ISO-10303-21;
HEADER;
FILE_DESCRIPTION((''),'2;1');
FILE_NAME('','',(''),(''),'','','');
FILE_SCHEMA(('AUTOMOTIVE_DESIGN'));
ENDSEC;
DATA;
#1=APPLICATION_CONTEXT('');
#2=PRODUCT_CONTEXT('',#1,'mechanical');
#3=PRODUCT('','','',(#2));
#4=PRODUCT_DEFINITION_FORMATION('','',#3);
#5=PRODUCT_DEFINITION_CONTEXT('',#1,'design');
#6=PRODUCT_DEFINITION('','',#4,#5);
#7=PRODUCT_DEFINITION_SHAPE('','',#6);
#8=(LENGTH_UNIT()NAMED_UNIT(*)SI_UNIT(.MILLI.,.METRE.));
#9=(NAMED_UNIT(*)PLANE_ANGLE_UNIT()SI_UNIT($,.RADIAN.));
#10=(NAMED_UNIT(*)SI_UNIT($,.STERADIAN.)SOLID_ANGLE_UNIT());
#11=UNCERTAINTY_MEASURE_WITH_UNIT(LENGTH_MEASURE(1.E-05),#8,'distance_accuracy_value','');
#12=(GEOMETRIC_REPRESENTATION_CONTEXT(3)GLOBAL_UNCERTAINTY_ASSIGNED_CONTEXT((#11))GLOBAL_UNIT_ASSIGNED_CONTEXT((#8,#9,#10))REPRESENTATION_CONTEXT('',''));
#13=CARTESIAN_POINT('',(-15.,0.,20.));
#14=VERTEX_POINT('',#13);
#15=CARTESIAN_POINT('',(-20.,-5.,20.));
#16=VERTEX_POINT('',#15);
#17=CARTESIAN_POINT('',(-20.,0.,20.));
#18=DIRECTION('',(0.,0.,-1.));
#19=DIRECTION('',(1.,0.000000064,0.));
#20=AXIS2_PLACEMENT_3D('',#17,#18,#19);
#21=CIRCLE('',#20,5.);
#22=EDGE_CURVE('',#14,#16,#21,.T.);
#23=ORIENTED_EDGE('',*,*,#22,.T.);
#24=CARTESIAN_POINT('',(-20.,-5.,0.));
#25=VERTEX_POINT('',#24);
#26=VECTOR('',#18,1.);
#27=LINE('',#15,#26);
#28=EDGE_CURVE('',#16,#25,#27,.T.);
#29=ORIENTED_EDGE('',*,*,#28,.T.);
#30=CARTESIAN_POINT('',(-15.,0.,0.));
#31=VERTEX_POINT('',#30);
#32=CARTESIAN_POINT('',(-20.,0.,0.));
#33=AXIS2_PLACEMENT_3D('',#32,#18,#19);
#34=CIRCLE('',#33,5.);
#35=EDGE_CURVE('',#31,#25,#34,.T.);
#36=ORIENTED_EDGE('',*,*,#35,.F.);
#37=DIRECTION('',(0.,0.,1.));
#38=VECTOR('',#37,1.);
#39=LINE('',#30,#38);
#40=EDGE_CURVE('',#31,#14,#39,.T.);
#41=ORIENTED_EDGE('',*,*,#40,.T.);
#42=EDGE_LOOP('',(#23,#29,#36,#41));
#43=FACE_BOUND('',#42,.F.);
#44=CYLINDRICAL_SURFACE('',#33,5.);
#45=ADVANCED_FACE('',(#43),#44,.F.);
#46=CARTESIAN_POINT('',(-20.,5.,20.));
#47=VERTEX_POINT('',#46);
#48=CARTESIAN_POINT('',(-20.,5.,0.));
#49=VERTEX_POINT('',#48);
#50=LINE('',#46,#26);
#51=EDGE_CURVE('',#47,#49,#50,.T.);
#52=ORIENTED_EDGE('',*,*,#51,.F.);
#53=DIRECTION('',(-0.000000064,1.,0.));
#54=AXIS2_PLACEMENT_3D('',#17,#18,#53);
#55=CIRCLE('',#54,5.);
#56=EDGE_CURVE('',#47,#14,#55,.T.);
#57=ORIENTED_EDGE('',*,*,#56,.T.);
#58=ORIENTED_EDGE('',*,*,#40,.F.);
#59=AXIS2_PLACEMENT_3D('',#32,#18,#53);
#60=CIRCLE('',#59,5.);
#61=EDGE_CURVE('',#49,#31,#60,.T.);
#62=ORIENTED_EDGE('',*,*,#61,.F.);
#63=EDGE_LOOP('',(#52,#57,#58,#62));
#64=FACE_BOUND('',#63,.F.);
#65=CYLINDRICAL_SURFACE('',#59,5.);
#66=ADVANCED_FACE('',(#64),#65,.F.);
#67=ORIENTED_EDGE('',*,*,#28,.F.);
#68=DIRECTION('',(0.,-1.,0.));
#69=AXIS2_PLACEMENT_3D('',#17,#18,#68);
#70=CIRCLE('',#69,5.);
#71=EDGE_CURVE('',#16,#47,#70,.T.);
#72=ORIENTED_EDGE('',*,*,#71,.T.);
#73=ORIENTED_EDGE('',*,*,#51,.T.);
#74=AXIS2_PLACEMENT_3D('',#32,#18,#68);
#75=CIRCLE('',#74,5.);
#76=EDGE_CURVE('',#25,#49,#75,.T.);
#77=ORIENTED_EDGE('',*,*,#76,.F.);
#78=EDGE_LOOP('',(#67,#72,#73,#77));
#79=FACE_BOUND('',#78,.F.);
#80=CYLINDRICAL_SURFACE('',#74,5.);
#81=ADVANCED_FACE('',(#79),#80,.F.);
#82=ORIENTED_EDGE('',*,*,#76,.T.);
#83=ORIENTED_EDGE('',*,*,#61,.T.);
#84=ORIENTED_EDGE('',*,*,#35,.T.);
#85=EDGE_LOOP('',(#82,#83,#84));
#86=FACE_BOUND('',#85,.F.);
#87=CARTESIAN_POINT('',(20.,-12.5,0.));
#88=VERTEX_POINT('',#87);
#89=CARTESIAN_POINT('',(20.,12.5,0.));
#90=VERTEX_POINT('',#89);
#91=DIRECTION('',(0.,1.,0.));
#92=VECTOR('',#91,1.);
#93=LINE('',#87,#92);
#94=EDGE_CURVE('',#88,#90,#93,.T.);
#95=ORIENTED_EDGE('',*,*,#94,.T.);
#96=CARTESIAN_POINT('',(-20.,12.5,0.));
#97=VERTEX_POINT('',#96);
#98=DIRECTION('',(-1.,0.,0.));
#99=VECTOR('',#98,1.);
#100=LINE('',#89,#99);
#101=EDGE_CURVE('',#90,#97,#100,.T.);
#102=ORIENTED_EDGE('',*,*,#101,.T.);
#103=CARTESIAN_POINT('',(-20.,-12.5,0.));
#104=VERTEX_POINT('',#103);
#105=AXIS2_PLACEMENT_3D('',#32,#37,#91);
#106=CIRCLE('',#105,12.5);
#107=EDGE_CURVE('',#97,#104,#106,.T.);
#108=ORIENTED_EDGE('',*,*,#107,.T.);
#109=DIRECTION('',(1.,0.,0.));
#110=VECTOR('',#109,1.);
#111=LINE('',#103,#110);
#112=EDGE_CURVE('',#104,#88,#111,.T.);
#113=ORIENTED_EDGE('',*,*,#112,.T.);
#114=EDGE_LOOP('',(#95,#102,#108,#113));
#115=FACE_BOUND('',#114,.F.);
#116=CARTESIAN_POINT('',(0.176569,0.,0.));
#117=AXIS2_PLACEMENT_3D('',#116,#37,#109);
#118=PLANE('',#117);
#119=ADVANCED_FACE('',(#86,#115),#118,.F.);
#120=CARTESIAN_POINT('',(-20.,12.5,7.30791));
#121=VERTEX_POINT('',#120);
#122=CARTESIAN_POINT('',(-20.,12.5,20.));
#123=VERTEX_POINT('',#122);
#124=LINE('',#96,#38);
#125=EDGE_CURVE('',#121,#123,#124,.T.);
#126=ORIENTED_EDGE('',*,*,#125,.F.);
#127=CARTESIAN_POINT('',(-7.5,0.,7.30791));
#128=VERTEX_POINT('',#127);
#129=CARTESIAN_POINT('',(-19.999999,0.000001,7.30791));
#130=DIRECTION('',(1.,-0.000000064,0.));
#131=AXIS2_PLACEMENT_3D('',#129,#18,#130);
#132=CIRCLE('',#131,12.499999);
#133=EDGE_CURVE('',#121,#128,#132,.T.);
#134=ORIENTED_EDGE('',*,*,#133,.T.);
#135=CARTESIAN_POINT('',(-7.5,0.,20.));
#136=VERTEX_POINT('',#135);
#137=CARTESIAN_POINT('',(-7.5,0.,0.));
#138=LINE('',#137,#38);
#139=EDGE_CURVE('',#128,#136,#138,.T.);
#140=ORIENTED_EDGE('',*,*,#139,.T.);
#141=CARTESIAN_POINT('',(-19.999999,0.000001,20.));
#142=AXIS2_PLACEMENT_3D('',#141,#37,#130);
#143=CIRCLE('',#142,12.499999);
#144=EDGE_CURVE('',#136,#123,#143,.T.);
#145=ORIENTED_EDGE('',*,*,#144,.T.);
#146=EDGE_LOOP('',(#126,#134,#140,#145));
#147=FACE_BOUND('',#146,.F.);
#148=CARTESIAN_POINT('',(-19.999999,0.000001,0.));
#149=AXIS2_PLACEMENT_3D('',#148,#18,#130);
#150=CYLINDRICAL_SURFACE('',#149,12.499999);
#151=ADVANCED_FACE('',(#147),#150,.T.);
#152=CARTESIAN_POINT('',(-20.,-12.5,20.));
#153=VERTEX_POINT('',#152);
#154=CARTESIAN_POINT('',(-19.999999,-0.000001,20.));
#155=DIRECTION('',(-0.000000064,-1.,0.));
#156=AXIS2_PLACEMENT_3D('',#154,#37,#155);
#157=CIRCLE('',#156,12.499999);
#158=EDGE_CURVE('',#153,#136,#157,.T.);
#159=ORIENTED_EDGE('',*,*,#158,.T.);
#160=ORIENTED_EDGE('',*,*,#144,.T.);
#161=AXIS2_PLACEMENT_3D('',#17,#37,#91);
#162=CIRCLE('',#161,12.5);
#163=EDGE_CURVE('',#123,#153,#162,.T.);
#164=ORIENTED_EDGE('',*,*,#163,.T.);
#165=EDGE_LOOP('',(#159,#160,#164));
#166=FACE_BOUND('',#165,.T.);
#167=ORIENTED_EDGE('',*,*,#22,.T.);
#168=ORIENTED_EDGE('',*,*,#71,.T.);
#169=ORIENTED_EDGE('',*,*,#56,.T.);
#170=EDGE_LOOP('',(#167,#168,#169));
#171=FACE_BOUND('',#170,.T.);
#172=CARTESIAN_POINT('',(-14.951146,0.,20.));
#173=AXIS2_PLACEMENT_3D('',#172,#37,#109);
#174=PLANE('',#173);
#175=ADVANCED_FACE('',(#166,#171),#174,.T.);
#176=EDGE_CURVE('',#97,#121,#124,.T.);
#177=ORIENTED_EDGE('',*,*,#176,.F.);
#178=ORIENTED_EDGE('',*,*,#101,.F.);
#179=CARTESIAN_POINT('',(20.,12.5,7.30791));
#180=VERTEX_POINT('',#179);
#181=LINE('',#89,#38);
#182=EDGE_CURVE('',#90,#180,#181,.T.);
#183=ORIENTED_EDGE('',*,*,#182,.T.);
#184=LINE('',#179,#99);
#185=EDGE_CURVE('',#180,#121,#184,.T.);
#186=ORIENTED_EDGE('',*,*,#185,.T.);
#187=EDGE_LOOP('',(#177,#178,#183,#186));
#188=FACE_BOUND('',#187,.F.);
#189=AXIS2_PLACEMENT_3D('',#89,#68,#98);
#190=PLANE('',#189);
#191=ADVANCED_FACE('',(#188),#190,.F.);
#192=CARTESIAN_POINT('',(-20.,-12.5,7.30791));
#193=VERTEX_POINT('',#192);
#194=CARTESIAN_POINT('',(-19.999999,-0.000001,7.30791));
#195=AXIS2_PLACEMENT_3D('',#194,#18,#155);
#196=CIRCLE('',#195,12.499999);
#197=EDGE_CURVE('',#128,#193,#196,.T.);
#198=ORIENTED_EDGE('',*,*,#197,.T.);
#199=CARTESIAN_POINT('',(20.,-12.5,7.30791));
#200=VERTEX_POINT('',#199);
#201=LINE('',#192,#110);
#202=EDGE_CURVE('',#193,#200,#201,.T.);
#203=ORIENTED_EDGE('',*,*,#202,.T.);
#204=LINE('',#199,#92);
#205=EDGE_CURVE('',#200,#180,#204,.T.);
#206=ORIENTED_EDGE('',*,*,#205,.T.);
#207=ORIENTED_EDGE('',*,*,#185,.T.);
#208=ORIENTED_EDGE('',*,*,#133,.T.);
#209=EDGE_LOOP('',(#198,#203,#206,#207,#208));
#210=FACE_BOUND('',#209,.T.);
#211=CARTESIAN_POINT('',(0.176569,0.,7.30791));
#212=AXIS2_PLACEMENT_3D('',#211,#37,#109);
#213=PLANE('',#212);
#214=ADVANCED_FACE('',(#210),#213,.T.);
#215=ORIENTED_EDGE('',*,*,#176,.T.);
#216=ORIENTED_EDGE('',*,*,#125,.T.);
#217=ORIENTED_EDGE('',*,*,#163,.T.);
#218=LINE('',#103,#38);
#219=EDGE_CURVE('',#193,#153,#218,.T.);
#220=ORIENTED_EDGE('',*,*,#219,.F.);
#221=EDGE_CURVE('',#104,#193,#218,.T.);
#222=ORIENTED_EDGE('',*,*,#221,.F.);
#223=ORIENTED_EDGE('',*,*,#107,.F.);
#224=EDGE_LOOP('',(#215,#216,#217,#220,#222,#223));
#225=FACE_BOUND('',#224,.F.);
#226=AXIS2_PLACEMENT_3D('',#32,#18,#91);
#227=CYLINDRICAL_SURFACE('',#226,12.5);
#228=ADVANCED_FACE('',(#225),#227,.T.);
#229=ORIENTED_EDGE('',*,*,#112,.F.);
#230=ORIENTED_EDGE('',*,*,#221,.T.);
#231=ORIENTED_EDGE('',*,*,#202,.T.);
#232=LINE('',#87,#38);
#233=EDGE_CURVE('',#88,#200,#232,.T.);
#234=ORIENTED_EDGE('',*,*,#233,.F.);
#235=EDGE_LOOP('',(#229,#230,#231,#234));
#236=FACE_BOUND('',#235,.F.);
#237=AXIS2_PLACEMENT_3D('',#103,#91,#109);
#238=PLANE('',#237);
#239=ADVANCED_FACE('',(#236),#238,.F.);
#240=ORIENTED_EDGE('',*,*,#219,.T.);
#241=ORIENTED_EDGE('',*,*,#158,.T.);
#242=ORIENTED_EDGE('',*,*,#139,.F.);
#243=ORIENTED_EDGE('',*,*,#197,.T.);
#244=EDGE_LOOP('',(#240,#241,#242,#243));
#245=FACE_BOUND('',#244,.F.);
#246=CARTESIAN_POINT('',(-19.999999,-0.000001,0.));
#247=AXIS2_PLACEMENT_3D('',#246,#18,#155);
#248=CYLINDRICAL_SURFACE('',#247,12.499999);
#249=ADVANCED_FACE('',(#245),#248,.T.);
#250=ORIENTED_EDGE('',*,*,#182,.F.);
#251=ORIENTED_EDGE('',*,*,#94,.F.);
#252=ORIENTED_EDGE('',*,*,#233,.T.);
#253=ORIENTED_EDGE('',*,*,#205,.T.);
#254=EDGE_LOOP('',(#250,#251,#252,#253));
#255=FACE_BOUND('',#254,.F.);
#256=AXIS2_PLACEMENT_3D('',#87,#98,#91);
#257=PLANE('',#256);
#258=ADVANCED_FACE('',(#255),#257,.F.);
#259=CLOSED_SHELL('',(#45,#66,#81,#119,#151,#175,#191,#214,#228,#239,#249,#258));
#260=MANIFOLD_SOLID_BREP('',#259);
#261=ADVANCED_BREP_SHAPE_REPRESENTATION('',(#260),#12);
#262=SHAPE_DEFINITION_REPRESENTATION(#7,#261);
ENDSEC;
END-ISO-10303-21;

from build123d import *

# Parameters (mm, degrees)
F2_DEPTH = 7.30791
F3_DEPTH = 20


with BuildPart() as f2:
    # F0 (on Top) → F2 (new body)
    with BuildSketch(Plane.XY):
        with BuildLine():
            Line((-20, -12.5), (20, -12.5))
            Line((20, -12.5), (20, 12.5))
            Line((20, 12.5), (-20, 12.5))
            ThreePointArc((-20, 12.5), (-11.161165, 8.838835), (-7.5, 0))
            ThreePointArc((-7.5, 0), (-11.161165, -8.838835), (-20, -12.5))
        make_face()
        with BuildLine():
            ThreePointArc((-20, 12.5), (-32.5, 0), (-20, -12.5))
            Line((-20, -12.5), (-20, -5))
            ThreePointArc((-20, -5), (-25, 0), (-20, 5))
            Line((-20, 5), (-20, 12.5))
        make_face()
        with BuildLine():
            Line((-20, -5), (-20, -12.5))
            ThreePointArc((-20, -12.5), (-11.161165, -8.838835), (-7.5, 0))
            ThreePointArc((-7.5, 0), (-11.161165, 8.838835), (-20, 12.5))
            Line((-20, 12.5), (-20, 5))
            ThreePointArc((-20, 5), (-16.464466, 3.535534), (-15, 0))
            ThreePointArc((-15, 0), (-16.464466, -3.535534), (-20, -5))
        make_face()
    extrude(amount=F2_DEPTH)

    # F0 (on Top) → F3 (join)
    with BuildSketch(Plane.XY):
        with BuildLine():
            Line((-20, -5), (-20, -12.5))
            ThreePointArc((-20, -12.5), (-11.161165, -8.838835), (-7.5, 0))
            ThreePointArc((-7.5, 0), (-11.161165, 8.838835), (-20, 12.5))
            Line((-20, 12.5), (-20, 5))
            ThreePointArc((-20, 5), (-16.464466, 3.535534), (-15, 0))
            ThreePointArc((-15, 0), (-16.464466, -3.535534), (-20, -5))
        make_face()
        with BuildLine():
            ThreePointArc((-20, 12.5), (-32.5, 0), (-20, -12.5))
            Line((-20, -12.5), (-20, -5))
            ThreePointArc((-20, -5), (-25, 0), (-20, 5))
            Line((-20, 5), (-20, 12.5))
        make_face()
    extrude(amount=F3_DEPTH)


solid = f2.part
